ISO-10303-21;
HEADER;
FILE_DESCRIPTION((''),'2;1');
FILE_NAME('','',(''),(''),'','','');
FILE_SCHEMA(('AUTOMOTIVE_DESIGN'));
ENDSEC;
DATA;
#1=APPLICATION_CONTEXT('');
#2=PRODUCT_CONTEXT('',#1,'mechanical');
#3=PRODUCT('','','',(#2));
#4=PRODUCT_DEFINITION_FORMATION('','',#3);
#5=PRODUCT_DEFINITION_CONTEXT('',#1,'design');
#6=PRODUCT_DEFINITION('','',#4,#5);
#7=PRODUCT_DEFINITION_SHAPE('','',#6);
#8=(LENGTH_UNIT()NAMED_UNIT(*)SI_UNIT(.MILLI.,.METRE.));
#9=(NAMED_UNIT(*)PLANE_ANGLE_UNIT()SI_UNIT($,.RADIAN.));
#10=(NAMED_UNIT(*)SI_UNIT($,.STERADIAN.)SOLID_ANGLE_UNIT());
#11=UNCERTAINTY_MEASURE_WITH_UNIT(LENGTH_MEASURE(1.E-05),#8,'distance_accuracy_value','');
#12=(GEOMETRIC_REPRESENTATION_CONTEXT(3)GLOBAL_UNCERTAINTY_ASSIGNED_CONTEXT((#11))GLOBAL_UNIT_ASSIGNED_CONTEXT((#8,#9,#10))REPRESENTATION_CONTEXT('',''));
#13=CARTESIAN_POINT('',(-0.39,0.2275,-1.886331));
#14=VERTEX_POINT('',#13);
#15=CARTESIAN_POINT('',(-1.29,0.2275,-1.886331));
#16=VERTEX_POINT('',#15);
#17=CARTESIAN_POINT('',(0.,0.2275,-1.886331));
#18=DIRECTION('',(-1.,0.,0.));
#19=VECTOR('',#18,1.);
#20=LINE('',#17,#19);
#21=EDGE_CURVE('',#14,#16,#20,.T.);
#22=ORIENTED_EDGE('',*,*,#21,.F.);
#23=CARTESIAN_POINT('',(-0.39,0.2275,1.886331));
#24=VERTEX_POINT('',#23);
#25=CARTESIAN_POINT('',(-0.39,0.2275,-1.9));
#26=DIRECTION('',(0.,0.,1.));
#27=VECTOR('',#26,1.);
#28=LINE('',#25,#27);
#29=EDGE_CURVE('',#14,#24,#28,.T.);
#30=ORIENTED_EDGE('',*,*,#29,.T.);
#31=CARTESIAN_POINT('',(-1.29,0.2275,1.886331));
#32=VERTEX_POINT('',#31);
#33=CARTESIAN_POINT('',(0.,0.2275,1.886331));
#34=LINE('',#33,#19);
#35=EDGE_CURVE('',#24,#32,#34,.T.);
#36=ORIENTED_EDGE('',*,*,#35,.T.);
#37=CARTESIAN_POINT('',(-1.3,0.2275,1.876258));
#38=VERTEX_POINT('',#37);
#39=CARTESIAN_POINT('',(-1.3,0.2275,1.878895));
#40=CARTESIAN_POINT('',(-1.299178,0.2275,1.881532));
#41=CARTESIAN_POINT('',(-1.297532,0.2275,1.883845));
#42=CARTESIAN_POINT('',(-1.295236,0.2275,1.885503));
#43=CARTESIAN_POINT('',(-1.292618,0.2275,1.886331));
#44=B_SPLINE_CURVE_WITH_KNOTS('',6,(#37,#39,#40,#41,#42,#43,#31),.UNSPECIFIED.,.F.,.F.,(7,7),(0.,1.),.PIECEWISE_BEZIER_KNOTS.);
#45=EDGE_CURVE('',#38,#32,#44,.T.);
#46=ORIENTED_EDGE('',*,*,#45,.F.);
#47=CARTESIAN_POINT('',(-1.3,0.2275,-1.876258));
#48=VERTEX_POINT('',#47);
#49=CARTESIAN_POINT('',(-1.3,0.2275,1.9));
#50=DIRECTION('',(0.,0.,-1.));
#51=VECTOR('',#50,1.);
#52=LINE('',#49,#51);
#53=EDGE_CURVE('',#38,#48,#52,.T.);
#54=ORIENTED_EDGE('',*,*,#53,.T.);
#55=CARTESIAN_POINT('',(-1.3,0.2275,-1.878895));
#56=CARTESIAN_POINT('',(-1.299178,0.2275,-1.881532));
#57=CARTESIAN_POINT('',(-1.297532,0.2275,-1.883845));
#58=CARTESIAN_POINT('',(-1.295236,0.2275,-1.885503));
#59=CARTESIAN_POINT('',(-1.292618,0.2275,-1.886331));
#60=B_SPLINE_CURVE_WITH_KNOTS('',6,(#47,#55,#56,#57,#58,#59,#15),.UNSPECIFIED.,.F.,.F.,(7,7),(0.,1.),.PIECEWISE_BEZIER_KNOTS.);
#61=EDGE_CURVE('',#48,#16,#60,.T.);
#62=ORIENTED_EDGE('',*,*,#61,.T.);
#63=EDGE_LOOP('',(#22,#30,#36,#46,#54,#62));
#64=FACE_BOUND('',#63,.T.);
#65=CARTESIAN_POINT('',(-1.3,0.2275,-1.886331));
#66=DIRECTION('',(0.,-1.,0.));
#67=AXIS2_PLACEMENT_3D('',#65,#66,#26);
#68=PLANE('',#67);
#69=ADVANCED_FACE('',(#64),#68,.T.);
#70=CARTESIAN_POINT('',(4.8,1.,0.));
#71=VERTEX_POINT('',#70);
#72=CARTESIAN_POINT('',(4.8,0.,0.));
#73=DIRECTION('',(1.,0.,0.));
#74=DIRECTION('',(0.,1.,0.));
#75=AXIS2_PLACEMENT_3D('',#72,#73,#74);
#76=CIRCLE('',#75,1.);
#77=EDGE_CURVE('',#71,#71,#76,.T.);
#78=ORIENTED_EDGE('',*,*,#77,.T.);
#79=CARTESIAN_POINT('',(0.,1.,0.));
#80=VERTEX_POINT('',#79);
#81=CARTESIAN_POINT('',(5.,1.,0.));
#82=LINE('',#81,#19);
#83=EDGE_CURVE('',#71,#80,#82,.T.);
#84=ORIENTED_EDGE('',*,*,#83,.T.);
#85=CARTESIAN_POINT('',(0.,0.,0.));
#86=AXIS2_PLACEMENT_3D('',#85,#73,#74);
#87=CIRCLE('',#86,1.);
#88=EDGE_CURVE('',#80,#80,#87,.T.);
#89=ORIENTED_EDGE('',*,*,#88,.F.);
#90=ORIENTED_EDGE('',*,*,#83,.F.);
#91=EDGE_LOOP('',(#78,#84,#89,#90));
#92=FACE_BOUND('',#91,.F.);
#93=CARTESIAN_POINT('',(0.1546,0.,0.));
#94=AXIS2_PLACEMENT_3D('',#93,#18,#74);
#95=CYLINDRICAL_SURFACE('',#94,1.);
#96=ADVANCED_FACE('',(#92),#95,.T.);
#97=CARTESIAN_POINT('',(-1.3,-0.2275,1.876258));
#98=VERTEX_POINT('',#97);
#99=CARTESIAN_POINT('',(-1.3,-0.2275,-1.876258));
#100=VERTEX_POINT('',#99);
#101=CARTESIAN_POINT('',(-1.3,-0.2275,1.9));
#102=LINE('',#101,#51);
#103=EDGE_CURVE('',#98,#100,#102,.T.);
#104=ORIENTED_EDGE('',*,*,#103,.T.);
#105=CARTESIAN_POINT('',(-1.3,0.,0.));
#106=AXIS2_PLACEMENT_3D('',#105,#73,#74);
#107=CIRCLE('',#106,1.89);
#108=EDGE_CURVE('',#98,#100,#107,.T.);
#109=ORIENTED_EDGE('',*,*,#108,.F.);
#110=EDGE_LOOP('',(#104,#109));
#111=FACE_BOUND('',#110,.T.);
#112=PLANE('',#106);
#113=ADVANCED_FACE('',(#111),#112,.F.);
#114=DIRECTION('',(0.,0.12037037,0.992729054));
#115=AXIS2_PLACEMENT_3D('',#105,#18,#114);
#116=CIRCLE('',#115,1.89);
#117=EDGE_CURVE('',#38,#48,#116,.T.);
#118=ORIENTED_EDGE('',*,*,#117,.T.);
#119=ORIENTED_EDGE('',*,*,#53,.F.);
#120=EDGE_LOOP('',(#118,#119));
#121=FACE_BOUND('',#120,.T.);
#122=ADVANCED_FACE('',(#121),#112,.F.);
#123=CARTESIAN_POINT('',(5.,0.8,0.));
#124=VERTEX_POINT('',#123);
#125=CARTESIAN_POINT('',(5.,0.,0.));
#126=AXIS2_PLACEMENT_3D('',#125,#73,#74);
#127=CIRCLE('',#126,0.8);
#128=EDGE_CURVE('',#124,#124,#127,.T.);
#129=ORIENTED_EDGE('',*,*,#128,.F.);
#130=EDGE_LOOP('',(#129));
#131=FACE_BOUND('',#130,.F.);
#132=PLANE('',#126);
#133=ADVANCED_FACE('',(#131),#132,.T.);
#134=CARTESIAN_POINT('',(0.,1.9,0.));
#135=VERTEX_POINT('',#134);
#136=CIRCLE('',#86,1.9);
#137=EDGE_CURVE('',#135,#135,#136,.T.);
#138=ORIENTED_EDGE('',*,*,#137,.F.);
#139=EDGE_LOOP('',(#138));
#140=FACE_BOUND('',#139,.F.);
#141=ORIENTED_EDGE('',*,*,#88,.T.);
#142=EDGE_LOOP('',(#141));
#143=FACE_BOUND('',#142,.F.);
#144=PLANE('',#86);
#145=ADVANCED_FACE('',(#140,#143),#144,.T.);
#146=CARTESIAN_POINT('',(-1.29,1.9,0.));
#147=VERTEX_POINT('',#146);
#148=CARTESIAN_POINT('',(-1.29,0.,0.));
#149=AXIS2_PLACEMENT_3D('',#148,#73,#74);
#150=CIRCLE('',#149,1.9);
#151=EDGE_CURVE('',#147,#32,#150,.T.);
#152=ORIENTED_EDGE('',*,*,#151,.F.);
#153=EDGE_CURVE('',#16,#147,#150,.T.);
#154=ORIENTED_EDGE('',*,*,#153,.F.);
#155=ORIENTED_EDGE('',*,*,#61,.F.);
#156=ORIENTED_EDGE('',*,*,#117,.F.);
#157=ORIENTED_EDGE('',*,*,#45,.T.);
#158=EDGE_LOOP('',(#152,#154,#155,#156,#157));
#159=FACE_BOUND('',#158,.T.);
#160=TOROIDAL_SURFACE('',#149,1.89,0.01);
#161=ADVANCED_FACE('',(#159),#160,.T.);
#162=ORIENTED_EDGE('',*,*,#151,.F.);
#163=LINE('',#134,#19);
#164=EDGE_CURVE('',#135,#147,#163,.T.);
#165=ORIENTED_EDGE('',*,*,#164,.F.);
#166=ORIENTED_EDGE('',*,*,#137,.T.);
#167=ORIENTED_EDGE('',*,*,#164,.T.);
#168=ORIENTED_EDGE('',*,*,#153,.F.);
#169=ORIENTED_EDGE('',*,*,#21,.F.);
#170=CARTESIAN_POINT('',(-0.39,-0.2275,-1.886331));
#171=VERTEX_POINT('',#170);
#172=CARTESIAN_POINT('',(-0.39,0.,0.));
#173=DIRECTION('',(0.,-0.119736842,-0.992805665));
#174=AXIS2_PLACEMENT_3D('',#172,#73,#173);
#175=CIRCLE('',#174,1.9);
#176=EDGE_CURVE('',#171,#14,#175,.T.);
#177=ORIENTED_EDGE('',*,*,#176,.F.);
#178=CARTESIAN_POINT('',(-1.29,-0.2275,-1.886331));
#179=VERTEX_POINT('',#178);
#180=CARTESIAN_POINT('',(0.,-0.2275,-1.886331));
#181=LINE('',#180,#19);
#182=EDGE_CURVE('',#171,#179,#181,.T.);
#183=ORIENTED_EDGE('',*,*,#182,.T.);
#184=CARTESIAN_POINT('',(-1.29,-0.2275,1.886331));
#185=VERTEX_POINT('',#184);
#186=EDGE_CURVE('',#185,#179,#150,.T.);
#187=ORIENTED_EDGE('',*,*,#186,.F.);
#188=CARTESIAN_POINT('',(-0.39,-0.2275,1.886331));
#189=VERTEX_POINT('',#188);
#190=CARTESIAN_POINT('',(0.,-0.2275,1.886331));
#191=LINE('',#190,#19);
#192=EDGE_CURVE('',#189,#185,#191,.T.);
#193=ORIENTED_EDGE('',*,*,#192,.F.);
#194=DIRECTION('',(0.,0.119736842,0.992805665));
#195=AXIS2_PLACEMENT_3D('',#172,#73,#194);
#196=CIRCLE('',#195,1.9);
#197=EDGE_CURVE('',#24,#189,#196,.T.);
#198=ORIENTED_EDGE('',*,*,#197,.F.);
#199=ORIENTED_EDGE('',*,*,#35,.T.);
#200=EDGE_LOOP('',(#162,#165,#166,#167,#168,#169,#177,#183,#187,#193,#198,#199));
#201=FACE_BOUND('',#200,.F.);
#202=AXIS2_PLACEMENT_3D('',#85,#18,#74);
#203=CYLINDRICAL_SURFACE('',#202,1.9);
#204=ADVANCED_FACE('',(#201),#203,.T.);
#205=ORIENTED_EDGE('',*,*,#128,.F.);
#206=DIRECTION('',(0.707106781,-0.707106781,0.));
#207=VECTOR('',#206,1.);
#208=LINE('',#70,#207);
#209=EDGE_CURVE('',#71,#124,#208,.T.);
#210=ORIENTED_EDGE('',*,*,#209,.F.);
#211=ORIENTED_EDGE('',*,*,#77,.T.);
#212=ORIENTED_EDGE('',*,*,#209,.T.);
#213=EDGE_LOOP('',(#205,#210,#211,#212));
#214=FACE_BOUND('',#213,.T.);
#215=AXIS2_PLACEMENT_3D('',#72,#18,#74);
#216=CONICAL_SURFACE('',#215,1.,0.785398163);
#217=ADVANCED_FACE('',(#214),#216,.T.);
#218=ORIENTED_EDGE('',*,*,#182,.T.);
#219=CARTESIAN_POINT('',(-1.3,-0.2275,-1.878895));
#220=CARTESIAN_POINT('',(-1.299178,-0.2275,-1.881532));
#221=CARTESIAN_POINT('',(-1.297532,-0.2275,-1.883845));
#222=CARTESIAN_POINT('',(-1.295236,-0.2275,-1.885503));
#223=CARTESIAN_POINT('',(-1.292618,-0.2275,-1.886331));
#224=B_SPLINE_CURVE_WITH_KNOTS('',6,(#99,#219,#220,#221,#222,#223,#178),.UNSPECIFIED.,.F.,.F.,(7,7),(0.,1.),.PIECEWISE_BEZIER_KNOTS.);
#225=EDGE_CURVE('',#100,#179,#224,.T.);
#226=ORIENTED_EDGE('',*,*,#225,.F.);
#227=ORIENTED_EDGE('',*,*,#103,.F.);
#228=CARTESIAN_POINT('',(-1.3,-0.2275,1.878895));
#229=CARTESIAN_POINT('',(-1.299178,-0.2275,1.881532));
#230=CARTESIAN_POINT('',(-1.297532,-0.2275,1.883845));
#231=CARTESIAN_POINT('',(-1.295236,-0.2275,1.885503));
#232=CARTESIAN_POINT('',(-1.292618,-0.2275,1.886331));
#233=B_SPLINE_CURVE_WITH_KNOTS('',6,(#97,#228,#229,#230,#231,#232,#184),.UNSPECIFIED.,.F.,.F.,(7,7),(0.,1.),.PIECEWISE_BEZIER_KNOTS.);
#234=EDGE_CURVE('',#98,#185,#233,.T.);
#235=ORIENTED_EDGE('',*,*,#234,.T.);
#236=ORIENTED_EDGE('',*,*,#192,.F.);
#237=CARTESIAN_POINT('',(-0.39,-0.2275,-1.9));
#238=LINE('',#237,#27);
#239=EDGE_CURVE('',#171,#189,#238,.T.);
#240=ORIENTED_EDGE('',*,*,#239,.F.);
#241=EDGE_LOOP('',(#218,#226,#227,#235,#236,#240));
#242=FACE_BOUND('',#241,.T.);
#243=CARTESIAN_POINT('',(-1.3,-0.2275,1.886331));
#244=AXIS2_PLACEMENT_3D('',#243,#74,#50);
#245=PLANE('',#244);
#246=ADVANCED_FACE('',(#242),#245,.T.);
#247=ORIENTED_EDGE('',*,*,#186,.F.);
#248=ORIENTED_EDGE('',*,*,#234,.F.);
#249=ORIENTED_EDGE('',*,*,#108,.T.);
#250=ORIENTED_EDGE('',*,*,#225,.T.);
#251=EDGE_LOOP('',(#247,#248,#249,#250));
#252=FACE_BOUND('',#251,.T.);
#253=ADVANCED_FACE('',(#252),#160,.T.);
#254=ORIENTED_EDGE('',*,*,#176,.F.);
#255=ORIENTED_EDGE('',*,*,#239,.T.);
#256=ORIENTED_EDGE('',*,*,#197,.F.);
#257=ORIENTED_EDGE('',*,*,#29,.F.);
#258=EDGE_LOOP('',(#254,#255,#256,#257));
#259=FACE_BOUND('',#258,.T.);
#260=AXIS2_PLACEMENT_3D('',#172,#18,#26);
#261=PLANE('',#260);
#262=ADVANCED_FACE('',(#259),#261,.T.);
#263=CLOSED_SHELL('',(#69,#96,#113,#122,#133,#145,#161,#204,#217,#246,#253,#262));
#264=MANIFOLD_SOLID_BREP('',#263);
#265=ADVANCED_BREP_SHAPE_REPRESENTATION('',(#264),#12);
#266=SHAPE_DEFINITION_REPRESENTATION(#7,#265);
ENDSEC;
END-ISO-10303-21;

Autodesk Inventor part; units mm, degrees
ref_plane "YZ Plane" through (0, 0, 0) normal (1, 0, 0) x (0, 1, 0)
ref_plane "XZ Plane" through (0, 0, 0) normal (0, 1, 0) x (-1, 0, 0)
sketch "Эскиз1" plane through (0, 0, 0) normal (0, 0, 1) x (1, 0, 0)
  line L0 (-1.3, 0) -> (5, 0)
  line L1 (5, 0) -> (5, 1)
  line L2 (5, 1) -> (0.4, 1)
  line L3 (0.4, 1) -> (0.1546, 1)
  line L4 (0.1546, 1) -> (0, 1)
  line L5 (0, 1) -> (0, 1.9)
  line L6 (-2.56, 0) -> (6.26, 0) projected
  line L7 (0, -0.38) -> (0, 2.28) projected
  line L8 (-1.3, 0) -> (-1.3, 1.9)
  line L9 (0, 1.9) -> (-1.3, 1.9)
  dimension "d0" = 5
  dimension "d1" = 4.6
  dimension "d2" = 0.2454
  dimension "d3" = 1.3
  dimension "d4" = 2
  dimension "d5" = 2
  dimension "d9" = 3.8
  dimension "d10" = 0
revolve "Базовый элемент" add sketch "Эскиз1" angle 360 about axis through (-1.3, 0, 0) along (1, 0, 0)
sketch "Эскиз2" plane through (-1.3, 0, 0) normal (-1, 0, 0) x (0, 0, 1)
  circle A0 centre (0, 0) radius 1.9 projected
  line L0 (0, 0) -> (0, 1.9) projected
  line L1 (-1.9, 0.2275) -> (1.9, 0.2275)
  line L2 (1.9, 0.2275) -> (1.9, -0.2275)
  line L3 (1.9, -0.2275) -> (-1.9, -0.2275)
  line L4 (-1.9, -0.2275) -> (-1.9, 0.2275)
  line L5 (-1.9, 0) -> (1.9, 0) construction
  line L6 (0, 0.2275) -> (0, -0.2275) construction
  dimension "d11" = 0.455
  dimension "d12" = 3.8
fillet "Сопряжение1" radius 0.01 1 edges at (-1.3, -1.9, 0)
extrude "Паз" cut sketch "Эскиз2" against normal blind 0.91 contours A0 L3 L1 | L2 L3 A0 | A0 L1 L2 | L3 L4 A0 | A0 L4 L1
thread "Резьба" size "M2x0.4" class "6g" standard "ISO Metric profile" length 4.6
chamfer "Chamfer4" distance 0.2 angle 45 1 edges at (5, -1, 0)
ref_plane "Work Plane1" through (30.1625, 0, 0) normal (0, 0, -1) x (1, 0, 0)
equation "\"d11\" = SBR"
equation "\"d12\" = KOD"
equation "\"d13\" = RR"
equation "\"d16\" = STI"
equation "\"d14\" = GEL"
equation "\"d40\" = 0.1 * GD"
equation "\"d0\" = NLG"
equation "\"d1\" = GEL"
equation "\"d2\" = GAL"
equation "\"d3\" = KOH"
equation "\"d4\" = GD"
equation "\"d5\" = BDM"
equation "\"d9\" = KOD"
equation "\"GD\" = NND"
equation "\"NLG\" = 5"
equation "\"GEL\" = 4.6"
equation "\"KOD\" = 3.8"
equation "\"KOH\" = 1.3"
equation "\"GAL\" = 0.61345 * PTC"
equation "\"BDM\" = NND"
equation "\"RR\" = 0.01"
equation "\"SBR\" = 0.455"
equation "\"STI\" = 0.91"
equation "\"KEWI\" = 0"
equation "\"GUL\" = 0.61345 * PTC"
equation "\"SPD\" = NND - 1.2269 * PTC"
equation "\"PTC\" = 0.4"
equation "\"THREADDIA\" = 2"
equation "\"TOA\" = 30deg"
equation "\"FAWI\" = 45deg"
equation "\"NND\" = 2"
equation "\"GD1\" = THREADDIA - 1.2269 * PTC"
properties part number "Винт M2-6gx5 ГОСТ 1491-80" material "Сталь, мягкая"
